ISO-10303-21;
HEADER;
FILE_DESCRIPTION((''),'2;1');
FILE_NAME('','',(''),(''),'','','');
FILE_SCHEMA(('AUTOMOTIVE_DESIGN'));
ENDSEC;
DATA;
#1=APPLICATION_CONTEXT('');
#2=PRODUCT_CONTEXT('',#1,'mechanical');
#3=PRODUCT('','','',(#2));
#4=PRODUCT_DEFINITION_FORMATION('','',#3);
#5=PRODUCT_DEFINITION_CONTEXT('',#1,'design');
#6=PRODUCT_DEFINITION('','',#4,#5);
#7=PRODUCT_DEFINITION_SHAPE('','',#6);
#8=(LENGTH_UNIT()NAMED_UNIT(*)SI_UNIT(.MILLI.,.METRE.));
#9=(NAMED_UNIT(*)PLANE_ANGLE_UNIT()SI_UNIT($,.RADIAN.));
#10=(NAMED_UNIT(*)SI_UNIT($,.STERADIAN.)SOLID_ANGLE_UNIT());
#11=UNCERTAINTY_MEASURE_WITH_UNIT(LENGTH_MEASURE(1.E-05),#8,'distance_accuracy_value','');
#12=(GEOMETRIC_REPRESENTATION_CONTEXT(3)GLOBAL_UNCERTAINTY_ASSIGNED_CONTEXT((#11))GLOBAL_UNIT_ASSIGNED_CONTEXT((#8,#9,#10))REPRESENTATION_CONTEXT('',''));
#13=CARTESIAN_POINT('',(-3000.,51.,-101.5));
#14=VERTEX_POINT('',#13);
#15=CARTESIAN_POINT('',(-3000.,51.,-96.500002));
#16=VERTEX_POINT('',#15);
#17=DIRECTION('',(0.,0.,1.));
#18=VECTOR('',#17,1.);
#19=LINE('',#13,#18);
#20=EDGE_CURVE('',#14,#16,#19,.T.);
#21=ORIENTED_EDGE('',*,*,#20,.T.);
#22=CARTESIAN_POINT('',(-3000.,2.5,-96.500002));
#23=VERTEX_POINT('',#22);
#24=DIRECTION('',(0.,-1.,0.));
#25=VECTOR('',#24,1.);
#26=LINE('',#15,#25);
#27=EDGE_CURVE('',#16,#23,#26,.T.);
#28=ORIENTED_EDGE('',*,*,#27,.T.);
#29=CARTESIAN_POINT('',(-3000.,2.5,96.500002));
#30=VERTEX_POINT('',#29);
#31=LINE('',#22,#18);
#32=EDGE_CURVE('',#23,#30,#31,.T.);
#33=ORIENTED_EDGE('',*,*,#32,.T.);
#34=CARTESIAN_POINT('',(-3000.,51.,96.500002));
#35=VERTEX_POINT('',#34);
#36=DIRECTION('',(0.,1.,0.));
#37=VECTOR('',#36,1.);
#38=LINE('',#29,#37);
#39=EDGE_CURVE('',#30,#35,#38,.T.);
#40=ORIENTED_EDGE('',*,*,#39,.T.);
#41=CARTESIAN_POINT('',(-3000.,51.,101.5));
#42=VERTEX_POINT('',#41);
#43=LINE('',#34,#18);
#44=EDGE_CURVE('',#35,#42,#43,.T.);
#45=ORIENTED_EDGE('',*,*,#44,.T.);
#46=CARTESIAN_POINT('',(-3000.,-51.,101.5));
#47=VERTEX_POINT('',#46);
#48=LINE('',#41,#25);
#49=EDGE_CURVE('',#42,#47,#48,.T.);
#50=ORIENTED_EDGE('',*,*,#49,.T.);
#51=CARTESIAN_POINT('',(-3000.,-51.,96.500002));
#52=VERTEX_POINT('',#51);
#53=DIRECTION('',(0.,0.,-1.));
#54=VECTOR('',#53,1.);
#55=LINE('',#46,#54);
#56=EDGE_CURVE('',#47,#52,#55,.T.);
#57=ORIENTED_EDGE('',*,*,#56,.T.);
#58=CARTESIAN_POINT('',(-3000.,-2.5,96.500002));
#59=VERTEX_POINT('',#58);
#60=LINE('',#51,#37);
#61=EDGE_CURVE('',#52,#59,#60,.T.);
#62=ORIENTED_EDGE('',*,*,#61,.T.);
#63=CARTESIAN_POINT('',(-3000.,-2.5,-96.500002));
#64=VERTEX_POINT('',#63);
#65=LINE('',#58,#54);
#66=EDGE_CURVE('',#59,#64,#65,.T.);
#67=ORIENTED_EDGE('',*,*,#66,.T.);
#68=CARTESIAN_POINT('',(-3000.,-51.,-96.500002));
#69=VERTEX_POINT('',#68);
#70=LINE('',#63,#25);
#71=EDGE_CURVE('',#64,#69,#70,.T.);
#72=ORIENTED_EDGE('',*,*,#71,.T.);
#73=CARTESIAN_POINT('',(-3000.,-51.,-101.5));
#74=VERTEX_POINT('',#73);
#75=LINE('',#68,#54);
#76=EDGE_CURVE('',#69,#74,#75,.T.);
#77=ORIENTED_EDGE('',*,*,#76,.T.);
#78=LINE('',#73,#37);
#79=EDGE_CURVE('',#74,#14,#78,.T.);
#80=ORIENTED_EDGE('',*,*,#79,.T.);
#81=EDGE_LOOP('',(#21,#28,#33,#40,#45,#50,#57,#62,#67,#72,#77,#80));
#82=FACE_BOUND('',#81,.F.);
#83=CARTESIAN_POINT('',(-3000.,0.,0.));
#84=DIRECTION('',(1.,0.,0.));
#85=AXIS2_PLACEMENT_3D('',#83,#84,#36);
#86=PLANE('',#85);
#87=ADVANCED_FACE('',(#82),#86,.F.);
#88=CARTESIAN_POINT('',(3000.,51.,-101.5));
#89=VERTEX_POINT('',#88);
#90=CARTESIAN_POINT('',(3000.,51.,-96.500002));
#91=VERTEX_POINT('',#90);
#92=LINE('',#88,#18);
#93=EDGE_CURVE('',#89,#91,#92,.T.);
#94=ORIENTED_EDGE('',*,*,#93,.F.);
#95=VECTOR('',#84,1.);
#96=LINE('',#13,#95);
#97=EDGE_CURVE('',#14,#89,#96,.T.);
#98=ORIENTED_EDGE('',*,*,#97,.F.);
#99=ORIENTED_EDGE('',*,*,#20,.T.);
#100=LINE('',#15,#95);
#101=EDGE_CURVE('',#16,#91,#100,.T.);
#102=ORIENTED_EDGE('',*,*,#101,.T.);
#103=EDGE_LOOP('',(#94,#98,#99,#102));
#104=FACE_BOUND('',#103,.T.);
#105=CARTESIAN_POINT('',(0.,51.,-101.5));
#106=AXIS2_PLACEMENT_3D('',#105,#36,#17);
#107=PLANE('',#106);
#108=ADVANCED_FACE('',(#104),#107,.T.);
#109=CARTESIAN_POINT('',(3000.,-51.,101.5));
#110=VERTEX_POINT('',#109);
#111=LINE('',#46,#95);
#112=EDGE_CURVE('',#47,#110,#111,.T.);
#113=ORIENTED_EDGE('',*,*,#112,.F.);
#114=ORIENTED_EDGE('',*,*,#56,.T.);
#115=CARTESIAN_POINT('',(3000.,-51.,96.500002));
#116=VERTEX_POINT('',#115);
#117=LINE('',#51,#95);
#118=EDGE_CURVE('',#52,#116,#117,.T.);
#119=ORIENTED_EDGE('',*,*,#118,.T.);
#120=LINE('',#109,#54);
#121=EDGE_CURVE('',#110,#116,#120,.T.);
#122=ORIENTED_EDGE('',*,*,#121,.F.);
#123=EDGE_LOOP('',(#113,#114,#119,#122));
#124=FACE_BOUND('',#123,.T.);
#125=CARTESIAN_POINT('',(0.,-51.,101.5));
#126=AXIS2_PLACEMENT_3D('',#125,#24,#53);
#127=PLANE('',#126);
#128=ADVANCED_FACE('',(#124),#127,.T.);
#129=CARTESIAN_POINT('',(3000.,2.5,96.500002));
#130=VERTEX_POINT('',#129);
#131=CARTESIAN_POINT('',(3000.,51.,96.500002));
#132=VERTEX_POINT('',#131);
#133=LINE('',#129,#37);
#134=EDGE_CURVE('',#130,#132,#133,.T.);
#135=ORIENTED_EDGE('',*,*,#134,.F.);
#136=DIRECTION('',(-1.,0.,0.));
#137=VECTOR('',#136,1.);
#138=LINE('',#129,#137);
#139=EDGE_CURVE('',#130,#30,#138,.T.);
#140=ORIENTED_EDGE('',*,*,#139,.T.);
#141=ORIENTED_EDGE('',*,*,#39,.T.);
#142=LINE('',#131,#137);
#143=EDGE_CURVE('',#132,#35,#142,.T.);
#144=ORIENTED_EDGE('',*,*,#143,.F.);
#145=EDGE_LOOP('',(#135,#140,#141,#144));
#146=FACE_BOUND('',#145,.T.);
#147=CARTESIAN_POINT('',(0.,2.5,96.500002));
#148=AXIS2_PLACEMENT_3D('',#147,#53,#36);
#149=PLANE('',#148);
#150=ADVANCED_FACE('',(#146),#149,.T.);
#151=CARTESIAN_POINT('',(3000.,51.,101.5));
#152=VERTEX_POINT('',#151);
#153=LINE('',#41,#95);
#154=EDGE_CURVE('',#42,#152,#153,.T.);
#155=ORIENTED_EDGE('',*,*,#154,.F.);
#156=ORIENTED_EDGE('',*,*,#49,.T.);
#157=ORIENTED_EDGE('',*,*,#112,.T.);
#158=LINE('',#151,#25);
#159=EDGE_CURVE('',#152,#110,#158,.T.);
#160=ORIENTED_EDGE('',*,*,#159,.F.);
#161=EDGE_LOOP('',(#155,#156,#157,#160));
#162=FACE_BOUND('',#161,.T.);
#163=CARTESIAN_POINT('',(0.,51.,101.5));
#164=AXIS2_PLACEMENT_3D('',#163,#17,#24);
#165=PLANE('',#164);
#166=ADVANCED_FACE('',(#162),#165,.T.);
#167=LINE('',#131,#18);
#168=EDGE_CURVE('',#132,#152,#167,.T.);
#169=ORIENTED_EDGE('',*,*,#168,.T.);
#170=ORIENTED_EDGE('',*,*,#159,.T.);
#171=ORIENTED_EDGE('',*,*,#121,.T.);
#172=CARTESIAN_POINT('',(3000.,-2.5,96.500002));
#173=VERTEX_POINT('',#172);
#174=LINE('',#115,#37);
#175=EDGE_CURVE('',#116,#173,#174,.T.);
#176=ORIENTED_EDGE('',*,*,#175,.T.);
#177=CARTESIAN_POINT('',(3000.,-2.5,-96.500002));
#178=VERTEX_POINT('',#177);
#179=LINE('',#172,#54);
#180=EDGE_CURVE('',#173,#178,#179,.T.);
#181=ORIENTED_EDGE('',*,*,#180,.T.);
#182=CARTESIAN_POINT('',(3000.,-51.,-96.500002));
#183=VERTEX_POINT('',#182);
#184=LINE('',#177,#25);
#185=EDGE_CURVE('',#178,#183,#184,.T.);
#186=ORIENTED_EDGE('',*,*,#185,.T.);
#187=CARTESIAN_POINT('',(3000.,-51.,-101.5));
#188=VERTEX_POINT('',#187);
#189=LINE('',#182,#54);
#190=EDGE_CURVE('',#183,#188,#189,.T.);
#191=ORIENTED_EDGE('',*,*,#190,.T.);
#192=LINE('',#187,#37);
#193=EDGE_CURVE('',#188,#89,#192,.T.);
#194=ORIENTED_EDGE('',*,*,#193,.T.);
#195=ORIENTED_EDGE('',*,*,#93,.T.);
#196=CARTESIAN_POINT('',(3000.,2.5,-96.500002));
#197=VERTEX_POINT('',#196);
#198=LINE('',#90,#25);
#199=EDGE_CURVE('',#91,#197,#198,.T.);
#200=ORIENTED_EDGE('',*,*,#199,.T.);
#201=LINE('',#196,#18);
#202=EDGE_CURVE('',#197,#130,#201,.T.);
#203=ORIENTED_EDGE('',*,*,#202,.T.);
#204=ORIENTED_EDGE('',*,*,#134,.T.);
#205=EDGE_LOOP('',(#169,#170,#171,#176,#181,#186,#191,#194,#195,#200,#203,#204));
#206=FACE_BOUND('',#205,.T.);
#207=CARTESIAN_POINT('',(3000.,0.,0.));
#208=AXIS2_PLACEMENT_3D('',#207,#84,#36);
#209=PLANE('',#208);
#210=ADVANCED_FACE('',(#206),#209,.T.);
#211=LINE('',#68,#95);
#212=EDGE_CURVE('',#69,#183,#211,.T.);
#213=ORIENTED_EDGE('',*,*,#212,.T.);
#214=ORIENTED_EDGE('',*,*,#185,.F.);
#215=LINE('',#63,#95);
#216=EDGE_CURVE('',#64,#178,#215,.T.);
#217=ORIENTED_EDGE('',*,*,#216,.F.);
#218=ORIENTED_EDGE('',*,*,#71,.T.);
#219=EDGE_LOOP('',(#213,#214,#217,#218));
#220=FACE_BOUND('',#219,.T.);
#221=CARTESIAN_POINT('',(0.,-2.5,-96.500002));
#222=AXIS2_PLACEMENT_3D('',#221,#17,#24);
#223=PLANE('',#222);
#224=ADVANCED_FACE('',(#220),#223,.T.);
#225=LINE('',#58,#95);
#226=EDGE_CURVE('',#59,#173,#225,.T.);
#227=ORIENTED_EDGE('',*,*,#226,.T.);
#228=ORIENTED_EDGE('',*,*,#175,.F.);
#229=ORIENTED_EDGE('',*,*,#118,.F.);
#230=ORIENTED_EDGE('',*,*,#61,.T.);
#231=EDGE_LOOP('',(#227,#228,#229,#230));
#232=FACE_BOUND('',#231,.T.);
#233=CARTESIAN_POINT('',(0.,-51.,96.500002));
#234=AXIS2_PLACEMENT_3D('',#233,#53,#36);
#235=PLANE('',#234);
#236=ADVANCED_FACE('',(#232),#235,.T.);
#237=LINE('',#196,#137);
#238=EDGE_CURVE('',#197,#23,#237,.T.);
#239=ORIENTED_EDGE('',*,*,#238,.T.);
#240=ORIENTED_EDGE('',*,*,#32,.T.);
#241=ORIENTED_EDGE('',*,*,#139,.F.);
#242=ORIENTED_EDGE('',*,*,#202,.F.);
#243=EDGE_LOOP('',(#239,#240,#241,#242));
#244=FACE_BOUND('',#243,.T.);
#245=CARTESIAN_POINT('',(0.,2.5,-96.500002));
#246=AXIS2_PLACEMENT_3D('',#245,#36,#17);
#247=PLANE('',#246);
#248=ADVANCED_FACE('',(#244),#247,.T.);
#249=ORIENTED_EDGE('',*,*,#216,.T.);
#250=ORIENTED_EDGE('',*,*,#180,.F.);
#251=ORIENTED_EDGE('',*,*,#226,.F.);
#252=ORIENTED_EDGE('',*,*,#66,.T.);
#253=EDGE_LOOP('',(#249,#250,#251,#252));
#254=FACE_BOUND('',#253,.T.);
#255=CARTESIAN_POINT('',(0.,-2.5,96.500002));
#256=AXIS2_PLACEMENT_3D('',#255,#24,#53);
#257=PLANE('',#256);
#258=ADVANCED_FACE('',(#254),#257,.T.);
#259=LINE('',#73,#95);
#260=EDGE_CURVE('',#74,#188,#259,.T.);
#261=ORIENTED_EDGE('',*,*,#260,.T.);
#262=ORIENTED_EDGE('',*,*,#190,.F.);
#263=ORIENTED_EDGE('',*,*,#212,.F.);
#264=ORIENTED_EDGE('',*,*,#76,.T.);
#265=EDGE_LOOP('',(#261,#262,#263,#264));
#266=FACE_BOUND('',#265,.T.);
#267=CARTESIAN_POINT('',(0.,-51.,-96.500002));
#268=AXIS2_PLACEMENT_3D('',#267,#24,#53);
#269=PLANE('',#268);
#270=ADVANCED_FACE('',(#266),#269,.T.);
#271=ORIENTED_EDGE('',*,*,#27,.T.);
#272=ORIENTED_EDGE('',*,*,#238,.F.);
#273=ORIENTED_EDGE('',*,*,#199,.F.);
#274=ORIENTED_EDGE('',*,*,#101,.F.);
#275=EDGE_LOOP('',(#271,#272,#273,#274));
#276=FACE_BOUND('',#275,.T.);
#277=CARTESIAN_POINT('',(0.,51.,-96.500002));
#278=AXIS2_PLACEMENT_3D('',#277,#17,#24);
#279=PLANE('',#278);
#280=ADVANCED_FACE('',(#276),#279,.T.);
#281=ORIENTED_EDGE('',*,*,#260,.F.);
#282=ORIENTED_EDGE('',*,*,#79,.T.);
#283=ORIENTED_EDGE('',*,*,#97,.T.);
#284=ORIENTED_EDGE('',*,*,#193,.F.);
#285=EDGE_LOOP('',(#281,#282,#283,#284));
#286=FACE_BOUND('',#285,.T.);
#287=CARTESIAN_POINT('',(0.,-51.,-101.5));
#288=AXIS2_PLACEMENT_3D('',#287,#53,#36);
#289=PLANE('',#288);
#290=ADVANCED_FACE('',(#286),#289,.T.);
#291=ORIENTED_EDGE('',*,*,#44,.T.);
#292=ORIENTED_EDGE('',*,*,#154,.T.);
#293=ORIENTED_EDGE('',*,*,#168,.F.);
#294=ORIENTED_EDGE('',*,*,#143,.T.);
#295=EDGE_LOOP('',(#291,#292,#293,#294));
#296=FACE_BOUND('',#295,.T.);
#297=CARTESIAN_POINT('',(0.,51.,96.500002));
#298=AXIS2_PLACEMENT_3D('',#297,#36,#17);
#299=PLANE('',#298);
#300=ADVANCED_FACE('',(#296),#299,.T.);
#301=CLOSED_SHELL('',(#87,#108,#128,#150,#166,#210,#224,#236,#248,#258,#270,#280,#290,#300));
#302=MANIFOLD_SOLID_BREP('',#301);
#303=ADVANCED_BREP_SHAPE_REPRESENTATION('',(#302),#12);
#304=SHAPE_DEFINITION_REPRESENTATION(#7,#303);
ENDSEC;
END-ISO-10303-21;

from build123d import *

# Parameters (mm, degrees)
F1_DEPTH = 3000


with BuildPart() as f1:
    # F0 (on Right) → F1 (new body, symmetric)
    with BuildSketch(Plane.YZ):
        Polygon((51, 96.500002), (51, 101.5), (-51, 101.5), (-51, 96.500002), (-2.5, 96.500002), (-2.5, -96.500002), (-51, -96.500002), (-51, -101.5), (51, -101.5), (51, -96.500002), (2.5, -96.500002), (2.5, 96.500002), align=None)
    extrude(amount=F1_DEPTH, both=True)


solid = f1.part
